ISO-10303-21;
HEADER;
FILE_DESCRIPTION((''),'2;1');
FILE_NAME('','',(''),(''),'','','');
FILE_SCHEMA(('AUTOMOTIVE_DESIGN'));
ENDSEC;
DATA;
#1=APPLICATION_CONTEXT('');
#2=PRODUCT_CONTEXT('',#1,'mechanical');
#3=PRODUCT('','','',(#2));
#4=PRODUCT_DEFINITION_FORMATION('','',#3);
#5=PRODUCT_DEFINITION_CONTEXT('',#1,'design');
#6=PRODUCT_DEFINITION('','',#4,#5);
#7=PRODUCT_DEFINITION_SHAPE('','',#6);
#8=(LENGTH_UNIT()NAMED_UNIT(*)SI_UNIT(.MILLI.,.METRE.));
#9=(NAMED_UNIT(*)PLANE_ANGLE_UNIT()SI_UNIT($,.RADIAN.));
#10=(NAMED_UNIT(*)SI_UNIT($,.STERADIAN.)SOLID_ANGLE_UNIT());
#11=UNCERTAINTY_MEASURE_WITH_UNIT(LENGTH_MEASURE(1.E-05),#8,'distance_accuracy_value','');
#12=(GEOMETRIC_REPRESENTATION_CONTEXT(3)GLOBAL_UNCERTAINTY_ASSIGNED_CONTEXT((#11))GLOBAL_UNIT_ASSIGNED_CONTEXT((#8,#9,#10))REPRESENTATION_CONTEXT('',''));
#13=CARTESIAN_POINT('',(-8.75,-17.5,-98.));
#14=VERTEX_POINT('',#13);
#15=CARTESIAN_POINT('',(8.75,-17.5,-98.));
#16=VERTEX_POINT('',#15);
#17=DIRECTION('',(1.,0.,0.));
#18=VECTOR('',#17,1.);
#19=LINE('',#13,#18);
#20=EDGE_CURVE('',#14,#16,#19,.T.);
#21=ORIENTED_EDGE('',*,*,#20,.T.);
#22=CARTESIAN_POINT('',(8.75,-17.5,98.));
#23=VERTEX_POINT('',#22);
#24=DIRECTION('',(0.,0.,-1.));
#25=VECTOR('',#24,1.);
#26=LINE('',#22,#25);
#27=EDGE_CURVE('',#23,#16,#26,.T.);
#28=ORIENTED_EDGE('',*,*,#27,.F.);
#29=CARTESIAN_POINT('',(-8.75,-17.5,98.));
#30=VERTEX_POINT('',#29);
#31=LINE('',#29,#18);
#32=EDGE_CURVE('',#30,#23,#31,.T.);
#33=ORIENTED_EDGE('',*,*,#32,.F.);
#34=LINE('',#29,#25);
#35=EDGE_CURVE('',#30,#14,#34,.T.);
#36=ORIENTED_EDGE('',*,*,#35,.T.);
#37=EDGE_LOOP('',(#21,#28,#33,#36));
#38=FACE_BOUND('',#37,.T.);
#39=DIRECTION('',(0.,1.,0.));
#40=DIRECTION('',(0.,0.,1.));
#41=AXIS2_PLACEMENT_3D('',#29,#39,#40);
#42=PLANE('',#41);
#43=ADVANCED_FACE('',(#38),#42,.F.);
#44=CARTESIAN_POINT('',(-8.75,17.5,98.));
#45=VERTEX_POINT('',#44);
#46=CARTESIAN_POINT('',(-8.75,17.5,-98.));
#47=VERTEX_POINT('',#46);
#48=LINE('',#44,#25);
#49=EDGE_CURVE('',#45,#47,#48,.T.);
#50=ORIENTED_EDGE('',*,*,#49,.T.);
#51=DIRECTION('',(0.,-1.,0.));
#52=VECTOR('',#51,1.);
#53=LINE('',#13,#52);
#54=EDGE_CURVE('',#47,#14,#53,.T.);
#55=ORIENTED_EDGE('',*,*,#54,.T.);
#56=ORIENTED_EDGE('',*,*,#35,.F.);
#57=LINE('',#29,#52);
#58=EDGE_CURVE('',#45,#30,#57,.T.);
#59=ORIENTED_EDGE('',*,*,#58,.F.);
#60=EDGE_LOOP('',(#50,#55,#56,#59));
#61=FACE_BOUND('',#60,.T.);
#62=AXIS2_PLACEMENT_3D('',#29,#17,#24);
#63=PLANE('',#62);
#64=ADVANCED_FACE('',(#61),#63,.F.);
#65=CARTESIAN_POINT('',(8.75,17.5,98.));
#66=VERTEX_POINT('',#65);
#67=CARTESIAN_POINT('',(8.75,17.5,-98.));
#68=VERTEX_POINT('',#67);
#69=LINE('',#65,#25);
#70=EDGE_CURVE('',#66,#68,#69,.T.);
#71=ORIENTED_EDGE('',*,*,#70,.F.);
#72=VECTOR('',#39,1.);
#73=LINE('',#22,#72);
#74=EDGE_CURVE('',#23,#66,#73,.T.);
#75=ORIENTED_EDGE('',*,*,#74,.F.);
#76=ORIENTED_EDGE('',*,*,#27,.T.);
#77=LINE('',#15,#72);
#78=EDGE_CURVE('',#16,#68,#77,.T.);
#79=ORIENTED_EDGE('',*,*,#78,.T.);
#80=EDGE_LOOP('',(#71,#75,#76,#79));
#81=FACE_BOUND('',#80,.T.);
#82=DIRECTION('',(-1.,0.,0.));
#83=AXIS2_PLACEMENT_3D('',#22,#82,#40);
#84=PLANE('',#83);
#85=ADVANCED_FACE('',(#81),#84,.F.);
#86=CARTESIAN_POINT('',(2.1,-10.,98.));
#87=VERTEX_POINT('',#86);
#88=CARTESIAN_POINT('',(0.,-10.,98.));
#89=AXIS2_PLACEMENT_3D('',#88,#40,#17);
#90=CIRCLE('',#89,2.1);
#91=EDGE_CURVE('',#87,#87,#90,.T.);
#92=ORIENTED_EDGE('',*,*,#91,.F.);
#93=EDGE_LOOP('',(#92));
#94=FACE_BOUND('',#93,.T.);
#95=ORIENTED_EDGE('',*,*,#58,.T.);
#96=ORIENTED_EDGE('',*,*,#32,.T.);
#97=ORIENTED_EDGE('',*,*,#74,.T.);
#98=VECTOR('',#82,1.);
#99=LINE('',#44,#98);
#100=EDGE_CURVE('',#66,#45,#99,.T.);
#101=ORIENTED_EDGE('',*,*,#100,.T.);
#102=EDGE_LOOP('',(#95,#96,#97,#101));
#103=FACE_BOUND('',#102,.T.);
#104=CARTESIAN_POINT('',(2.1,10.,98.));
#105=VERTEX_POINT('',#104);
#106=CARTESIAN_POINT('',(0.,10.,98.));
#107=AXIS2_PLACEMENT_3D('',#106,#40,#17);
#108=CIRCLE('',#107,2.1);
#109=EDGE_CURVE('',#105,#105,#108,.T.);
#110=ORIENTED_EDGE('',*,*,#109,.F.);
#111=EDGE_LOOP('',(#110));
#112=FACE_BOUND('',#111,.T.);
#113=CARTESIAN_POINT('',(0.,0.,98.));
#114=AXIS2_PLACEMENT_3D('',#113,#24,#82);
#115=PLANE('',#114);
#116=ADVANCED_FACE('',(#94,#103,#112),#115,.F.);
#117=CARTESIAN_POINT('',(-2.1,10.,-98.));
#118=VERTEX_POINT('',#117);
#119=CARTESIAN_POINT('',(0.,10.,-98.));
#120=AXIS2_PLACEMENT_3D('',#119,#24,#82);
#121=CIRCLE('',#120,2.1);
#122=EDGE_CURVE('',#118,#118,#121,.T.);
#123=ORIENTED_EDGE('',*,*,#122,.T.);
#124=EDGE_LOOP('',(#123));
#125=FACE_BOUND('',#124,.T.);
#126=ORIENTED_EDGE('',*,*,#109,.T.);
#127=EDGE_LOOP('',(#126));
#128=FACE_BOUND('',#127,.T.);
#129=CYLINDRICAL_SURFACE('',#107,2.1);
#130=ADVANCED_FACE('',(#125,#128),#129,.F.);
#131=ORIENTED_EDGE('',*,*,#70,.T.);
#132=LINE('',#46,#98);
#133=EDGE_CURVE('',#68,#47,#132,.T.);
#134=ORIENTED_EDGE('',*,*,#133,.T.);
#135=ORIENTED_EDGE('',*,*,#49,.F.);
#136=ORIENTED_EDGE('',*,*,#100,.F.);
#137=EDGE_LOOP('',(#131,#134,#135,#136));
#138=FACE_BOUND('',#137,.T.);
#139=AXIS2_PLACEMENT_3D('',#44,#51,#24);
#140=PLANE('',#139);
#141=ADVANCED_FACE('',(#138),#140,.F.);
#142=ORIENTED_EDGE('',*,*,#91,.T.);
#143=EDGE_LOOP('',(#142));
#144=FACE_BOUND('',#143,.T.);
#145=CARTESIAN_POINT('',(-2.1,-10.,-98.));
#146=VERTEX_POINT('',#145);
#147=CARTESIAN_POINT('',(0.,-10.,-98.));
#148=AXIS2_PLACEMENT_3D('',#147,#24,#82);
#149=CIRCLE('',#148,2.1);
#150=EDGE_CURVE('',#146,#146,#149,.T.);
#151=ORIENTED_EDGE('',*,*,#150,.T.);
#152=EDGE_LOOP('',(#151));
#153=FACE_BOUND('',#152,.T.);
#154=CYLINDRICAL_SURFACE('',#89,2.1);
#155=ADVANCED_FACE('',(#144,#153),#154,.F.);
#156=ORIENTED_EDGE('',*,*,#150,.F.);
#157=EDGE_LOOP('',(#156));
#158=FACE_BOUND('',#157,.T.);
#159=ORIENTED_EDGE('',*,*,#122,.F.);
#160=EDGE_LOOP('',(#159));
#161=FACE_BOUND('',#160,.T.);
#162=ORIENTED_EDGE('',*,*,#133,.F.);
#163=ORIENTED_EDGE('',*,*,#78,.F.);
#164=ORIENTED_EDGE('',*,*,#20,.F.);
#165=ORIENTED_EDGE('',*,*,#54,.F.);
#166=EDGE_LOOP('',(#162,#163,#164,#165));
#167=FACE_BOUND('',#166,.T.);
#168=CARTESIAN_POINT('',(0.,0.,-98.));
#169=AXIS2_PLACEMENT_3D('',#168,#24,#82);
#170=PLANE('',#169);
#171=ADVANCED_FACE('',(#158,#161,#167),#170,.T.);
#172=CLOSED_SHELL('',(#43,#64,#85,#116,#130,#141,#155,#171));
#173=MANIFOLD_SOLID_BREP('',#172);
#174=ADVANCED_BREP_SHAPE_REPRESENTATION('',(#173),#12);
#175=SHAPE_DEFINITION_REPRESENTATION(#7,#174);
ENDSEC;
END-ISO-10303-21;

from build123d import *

# Parameters (mm, degrees)
IZIM1_W                     = 17.5
IZIM1_H                     = 35
Y_KSEKLIK_EKSTR_ZYON1_DEPTH = 98
M5_DI_LI_DELIK1_AT_2_COUNT  = 2
M5_DI_LI_DELIK1_AT_2_PITCH  = 20


with BuildPart() as part:
    # Çizim1 → Yükseklik-Ekstrüzyon1 (new, symmetric)
    with BuildSketch(Plane.XY):
        Rectangle(IZIM1_W, IZIM1_H)
    extrude(amount=Y_KSEKLIK_EKSTR_ZYON1_DEPTH, both=True)

    # Çizim3 → M5 Dişli Delik1 (revolve, cut)
    with BuildSketch(Plane(origin=(0, 10, 98), x_dir=(0, -1, 0), z_dir=(1, 0, 0))):
        Polygon((0, 0), (0, 201.2618073), (2.1, 200), (2.1, 0), align=None)
    m5_di_li_delik1 = revolve(axis=Axis((0, 10, 104.35), (0, 0, -1)), mode=Mode.SUBTRACT)

    # M5 Dişli Delik1 at 2: M5 Dişli Delik1 ×2
    with Locations(*[(0, -i * M5_DI_LI_DELIK1_AT_2_PITCH, 0) for i in range(1, M5_DI_LI_DELIK1_AT_2_COUNT)]):
        add(m5_di_li_delik1, mode=Mode.SUBTRACT)

    # Aynalama1: M5 Dişli Delik1 across plane
    add(m5_di_li_delik1.mirror(Plane.XY), mode=Mode.SUBTRACT)

    # Aynalama1 copy 1 sketch → Aynalama1 copy 1 (revolve, cut)
    with BuildSketch(Plane(origin=(0, -10, -98), x_dir=(0, -1, 0), z_dir=(1, 0, 0))):
        Polygon((0, 0), (0, -201.2618073), (2.1, -200), (2.1, 0), align=None)
    revolve(axis=Axis((0, -10, -104.35), (0, 0, -1)), mode=Mode.SUBTRACT)


solid = part.part
